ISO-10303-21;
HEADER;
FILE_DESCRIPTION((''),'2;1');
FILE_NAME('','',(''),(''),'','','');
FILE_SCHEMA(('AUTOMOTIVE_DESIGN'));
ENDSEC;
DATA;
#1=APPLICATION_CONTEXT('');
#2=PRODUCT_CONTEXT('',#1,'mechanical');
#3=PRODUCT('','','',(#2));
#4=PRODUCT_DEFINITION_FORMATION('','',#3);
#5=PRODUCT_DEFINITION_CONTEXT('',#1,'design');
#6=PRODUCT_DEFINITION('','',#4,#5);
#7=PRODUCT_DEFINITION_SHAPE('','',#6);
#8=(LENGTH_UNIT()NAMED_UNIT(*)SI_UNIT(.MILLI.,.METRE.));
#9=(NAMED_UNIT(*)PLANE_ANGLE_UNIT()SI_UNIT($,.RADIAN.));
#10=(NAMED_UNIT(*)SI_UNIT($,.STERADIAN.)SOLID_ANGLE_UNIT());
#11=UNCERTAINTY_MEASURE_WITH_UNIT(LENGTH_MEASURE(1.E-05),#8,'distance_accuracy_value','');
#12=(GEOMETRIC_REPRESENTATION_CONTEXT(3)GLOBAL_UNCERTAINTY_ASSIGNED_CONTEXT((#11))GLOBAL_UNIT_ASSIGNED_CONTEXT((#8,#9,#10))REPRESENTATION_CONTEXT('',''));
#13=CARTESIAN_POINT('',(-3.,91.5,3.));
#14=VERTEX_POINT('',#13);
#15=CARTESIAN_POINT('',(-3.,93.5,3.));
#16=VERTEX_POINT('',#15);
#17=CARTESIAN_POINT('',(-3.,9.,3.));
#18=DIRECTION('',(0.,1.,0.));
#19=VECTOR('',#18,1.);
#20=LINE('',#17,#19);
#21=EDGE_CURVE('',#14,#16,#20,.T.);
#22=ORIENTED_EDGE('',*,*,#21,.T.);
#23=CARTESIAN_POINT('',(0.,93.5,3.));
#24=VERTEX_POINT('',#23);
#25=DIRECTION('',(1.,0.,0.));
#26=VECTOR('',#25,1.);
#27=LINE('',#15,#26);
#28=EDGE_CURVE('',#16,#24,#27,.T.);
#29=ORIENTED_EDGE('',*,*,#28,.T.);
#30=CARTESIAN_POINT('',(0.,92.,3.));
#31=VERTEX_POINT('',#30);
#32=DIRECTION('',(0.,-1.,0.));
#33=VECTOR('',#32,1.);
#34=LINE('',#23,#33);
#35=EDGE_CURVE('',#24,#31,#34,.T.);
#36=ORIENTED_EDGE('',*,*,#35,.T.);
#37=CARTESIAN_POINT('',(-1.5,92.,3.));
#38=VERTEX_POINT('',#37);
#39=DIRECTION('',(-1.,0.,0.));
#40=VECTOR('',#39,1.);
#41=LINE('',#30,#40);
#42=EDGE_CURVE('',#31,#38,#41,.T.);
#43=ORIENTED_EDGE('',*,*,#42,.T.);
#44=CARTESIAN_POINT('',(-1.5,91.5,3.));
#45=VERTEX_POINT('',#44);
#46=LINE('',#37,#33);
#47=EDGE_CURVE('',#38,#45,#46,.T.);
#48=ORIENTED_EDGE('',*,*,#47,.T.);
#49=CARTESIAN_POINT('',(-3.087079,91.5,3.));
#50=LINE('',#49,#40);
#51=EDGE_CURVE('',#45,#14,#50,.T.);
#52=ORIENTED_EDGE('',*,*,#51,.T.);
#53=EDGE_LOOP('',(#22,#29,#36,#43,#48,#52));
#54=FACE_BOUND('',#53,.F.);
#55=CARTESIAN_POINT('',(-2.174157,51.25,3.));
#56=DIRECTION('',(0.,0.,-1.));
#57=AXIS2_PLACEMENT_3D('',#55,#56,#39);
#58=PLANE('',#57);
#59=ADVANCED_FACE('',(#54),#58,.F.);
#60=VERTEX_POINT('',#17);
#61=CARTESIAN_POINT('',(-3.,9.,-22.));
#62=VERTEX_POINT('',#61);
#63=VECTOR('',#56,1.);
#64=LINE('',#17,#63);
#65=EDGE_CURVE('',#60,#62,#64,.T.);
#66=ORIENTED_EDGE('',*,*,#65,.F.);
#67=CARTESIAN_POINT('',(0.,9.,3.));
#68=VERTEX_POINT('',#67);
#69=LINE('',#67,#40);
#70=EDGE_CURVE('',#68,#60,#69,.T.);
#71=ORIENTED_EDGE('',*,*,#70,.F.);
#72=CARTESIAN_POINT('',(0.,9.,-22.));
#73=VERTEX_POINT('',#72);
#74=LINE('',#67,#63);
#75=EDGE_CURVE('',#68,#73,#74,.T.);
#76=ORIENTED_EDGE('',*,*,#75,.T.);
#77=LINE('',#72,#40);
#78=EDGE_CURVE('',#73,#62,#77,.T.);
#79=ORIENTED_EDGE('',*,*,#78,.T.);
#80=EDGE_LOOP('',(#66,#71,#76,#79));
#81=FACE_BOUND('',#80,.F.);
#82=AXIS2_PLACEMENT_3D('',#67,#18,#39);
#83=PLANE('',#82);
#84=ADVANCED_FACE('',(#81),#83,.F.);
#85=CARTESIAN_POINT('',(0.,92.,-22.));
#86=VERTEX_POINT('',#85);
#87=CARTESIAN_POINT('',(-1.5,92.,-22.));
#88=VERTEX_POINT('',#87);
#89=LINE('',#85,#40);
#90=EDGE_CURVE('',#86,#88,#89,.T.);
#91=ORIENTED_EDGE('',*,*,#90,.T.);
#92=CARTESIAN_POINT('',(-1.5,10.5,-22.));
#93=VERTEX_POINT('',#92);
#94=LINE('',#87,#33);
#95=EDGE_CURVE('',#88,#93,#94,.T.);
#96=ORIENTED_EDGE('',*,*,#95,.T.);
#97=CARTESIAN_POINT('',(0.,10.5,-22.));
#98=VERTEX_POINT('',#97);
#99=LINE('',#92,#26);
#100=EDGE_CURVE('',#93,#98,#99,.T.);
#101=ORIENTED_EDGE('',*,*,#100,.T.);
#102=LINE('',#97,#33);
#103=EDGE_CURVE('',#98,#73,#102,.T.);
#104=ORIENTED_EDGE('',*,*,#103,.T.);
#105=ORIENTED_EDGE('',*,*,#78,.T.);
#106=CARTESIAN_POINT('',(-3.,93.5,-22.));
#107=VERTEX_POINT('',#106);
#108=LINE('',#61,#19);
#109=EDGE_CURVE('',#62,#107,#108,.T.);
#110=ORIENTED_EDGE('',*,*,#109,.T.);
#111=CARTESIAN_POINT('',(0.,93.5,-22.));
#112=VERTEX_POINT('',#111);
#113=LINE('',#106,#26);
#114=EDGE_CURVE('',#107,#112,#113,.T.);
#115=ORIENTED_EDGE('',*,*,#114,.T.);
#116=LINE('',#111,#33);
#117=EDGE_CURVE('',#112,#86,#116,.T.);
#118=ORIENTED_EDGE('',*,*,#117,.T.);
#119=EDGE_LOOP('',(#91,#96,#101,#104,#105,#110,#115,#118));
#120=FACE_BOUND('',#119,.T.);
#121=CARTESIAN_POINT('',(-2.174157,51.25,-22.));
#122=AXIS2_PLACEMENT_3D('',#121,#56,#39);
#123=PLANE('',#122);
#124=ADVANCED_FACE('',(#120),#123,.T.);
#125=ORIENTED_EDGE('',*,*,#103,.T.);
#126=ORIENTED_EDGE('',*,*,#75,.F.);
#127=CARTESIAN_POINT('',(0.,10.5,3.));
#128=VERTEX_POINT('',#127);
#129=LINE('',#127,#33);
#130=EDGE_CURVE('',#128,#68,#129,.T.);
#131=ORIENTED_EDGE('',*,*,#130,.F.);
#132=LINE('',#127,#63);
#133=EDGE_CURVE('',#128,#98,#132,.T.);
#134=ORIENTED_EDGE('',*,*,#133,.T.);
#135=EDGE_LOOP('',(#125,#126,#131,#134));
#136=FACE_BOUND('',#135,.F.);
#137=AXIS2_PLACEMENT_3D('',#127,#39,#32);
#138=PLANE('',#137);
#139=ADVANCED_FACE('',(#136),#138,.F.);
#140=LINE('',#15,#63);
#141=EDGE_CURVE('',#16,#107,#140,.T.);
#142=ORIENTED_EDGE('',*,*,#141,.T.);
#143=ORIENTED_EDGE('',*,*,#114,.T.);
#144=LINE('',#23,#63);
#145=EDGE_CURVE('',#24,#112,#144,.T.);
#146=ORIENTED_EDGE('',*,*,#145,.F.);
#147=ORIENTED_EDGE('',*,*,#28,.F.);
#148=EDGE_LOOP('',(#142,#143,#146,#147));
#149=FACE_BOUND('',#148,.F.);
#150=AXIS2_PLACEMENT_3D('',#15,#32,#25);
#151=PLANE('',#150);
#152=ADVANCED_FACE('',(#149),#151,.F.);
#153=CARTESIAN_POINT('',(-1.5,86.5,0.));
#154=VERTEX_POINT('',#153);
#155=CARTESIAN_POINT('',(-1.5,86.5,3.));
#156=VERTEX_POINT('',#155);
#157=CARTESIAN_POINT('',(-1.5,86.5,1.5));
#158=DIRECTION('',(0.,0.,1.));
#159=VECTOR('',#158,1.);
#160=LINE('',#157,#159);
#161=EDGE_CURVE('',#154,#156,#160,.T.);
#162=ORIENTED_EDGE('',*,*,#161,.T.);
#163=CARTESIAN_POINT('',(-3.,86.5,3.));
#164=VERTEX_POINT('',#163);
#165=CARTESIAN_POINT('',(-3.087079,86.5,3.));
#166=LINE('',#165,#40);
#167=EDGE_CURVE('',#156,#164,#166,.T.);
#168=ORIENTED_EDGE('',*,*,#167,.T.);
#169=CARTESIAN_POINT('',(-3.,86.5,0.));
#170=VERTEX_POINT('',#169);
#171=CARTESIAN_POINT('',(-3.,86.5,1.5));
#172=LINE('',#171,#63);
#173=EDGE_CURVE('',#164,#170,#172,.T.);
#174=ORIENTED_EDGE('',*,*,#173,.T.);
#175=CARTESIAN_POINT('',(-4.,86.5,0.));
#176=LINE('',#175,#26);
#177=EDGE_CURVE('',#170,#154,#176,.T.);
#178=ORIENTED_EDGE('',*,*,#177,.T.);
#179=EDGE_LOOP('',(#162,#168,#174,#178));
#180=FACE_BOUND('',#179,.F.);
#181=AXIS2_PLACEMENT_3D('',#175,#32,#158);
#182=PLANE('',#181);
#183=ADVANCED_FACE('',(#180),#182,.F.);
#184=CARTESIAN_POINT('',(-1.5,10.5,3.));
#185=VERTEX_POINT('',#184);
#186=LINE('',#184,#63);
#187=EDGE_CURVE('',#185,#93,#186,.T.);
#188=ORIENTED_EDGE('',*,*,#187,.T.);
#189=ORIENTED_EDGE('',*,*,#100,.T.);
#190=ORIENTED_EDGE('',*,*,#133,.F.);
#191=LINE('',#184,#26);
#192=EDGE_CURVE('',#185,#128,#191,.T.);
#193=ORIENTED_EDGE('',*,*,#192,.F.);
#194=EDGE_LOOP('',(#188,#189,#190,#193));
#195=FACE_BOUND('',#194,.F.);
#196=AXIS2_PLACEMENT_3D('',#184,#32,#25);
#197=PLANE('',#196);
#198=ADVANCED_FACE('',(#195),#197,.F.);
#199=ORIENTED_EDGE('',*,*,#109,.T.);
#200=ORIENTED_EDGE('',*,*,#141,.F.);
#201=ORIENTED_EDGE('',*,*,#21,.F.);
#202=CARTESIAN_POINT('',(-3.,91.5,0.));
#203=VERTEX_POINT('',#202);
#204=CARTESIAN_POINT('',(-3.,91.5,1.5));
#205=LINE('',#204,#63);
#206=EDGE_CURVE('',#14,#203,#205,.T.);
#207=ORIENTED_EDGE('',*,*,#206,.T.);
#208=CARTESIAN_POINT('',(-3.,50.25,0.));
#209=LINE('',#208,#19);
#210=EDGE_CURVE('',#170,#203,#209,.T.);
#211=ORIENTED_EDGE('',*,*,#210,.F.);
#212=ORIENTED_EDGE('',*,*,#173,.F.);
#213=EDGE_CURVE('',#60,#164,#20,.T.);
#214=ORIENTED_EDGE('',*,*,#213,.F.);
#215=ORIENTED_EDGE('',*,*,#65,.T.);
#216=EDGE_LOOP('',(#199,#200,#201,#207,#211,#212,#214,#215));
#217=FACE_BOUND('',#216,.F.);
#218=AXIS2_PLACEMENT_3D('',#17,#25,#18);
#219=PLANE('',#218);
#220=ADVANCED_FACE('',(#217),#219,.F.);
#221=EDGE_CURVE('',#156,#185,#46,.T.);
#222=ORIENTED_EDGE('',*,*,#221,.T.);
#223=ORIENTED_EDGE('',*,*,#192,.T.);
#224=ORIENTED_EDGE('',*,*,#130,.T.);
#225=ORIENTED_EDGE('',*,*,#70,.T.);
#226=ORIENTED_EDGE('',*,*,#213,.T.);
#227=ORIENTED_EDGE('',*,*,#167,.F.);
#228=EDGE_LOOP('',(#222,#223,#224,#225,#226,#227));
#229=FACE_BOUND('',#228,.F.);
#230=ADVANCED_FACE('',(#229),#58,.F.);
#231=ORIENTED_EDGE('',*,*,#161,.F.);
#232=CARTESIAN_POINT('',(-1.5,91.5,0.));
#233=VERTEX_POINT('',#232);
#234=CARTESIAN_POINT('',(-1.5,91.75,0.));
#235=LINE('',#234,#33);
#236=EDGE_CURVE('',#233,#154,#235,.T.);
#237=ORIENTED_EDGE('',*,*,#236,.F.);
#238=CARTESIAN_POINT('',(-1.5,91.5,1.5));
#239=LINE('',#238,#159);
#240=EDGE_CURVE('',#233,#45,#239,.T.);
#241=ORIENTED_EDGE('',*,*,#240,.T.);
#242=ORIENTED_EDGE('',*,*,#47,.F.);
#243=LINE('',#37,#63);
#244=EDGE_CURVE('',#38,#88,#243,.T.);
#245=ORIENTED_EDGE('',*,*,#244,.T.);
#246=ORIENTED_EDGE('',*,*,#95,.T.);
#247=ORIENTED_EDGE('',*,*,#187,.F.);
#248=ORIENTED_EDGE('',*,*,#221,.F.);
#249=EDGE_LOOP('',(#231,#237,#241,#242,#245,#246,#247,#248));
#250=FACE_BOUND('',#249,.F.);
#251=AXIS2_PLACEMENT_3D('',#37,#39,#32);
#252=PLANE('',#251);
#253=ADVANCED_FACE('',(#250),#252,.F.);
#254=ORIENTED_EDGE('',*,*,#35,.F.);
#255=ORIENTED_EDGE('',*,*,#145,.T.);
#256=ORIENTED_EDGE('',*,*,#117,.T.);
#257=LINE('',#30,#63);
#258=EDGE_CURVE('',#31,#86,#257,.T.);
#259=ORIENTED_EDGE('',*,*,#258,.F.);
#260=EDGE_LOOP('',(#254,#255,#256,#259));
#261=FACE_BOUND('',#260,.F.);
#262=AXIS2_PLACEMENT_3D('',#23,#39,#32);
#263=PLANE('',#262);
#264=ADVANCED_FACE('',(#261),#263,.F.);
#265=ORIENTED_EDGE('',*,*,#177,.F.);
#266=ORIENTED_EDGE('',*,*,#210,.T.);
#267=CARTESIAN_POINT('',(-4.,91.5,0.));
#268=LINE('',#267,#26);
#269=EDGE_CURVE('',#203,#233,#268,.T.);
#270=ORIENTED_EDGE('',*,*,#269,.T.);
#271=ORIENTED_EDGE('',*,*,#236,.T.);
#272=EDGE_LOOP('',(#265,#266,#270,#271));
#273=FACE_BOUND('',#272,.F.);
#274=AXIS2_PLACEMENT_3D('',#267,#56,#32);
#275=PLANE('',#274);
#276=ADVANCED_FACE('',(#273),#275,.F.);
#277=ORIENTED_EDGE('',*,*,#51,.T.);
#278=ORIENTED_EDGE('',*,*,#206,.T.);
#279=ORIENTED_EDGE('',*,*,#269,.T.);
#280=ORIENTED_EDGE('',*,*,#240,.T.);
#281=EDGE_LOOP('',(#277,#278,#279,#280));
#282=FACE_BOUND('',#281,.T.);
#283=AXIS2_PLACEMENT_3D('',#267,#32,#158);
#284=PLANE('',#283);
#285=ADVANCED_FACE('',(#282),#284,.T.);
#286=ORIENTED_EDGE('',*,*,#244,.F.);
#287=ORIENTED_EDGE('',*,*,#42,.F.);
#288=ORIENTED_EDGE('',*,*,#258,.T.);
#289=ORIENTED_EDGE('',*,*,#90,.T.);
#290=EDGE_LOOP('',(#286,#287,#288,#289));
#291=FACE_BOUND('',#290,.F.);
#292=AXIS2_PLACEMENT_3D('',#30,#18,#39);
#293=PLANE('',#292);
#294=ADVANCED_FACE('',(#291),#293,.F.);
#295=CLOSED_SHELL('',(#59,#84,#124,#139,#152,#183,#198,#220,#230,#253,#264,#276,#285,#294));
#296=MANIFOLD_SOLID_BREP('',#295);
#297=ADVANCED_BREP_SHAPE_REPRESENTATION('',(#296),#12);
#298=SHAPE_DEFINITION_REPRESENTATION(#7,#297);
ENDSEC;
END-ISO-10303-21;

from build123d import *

# Parameters (mm, degrees)
SKETCH102_W      = 5
SKETCH102_H      = 4
EXTRUDE093_DEPTH = 5
EXTRUDE064_DEPTH = 25


with BuildPart() as extrude093:
    # Sketch102 → Extrude093 (new body)
    with BuildSketch(Plane(origin=(-4, 0, 0), x_dir=(0, -1, 0), z_dir=(-1, 0, 0))):
        with Locations((-89, 2)):
            Rectangle(SKETCH102_W, SKETCH102_H)
    extrude(amount=-EXTRUDE093_DEPTH)


with BuildPart() as cut015:
    # Sketch074 → Extrude064 (new body)
    with BuildSketch(Plane.XY.offset(3)):
        Polygon((-3, 93.5), (0, 93.5), (0, 92), (-1.5, 92), (-1.5, 10.5), (0, 10.5), (0, 9), (-3, 9), align=None)
    extrude(amount=-EXTRUDE064_DEPTH)

    # Cut015: cut Extrude093
    add(extrude093.part, mode=Mode.SUBTRACT)


solid = cut015.part
